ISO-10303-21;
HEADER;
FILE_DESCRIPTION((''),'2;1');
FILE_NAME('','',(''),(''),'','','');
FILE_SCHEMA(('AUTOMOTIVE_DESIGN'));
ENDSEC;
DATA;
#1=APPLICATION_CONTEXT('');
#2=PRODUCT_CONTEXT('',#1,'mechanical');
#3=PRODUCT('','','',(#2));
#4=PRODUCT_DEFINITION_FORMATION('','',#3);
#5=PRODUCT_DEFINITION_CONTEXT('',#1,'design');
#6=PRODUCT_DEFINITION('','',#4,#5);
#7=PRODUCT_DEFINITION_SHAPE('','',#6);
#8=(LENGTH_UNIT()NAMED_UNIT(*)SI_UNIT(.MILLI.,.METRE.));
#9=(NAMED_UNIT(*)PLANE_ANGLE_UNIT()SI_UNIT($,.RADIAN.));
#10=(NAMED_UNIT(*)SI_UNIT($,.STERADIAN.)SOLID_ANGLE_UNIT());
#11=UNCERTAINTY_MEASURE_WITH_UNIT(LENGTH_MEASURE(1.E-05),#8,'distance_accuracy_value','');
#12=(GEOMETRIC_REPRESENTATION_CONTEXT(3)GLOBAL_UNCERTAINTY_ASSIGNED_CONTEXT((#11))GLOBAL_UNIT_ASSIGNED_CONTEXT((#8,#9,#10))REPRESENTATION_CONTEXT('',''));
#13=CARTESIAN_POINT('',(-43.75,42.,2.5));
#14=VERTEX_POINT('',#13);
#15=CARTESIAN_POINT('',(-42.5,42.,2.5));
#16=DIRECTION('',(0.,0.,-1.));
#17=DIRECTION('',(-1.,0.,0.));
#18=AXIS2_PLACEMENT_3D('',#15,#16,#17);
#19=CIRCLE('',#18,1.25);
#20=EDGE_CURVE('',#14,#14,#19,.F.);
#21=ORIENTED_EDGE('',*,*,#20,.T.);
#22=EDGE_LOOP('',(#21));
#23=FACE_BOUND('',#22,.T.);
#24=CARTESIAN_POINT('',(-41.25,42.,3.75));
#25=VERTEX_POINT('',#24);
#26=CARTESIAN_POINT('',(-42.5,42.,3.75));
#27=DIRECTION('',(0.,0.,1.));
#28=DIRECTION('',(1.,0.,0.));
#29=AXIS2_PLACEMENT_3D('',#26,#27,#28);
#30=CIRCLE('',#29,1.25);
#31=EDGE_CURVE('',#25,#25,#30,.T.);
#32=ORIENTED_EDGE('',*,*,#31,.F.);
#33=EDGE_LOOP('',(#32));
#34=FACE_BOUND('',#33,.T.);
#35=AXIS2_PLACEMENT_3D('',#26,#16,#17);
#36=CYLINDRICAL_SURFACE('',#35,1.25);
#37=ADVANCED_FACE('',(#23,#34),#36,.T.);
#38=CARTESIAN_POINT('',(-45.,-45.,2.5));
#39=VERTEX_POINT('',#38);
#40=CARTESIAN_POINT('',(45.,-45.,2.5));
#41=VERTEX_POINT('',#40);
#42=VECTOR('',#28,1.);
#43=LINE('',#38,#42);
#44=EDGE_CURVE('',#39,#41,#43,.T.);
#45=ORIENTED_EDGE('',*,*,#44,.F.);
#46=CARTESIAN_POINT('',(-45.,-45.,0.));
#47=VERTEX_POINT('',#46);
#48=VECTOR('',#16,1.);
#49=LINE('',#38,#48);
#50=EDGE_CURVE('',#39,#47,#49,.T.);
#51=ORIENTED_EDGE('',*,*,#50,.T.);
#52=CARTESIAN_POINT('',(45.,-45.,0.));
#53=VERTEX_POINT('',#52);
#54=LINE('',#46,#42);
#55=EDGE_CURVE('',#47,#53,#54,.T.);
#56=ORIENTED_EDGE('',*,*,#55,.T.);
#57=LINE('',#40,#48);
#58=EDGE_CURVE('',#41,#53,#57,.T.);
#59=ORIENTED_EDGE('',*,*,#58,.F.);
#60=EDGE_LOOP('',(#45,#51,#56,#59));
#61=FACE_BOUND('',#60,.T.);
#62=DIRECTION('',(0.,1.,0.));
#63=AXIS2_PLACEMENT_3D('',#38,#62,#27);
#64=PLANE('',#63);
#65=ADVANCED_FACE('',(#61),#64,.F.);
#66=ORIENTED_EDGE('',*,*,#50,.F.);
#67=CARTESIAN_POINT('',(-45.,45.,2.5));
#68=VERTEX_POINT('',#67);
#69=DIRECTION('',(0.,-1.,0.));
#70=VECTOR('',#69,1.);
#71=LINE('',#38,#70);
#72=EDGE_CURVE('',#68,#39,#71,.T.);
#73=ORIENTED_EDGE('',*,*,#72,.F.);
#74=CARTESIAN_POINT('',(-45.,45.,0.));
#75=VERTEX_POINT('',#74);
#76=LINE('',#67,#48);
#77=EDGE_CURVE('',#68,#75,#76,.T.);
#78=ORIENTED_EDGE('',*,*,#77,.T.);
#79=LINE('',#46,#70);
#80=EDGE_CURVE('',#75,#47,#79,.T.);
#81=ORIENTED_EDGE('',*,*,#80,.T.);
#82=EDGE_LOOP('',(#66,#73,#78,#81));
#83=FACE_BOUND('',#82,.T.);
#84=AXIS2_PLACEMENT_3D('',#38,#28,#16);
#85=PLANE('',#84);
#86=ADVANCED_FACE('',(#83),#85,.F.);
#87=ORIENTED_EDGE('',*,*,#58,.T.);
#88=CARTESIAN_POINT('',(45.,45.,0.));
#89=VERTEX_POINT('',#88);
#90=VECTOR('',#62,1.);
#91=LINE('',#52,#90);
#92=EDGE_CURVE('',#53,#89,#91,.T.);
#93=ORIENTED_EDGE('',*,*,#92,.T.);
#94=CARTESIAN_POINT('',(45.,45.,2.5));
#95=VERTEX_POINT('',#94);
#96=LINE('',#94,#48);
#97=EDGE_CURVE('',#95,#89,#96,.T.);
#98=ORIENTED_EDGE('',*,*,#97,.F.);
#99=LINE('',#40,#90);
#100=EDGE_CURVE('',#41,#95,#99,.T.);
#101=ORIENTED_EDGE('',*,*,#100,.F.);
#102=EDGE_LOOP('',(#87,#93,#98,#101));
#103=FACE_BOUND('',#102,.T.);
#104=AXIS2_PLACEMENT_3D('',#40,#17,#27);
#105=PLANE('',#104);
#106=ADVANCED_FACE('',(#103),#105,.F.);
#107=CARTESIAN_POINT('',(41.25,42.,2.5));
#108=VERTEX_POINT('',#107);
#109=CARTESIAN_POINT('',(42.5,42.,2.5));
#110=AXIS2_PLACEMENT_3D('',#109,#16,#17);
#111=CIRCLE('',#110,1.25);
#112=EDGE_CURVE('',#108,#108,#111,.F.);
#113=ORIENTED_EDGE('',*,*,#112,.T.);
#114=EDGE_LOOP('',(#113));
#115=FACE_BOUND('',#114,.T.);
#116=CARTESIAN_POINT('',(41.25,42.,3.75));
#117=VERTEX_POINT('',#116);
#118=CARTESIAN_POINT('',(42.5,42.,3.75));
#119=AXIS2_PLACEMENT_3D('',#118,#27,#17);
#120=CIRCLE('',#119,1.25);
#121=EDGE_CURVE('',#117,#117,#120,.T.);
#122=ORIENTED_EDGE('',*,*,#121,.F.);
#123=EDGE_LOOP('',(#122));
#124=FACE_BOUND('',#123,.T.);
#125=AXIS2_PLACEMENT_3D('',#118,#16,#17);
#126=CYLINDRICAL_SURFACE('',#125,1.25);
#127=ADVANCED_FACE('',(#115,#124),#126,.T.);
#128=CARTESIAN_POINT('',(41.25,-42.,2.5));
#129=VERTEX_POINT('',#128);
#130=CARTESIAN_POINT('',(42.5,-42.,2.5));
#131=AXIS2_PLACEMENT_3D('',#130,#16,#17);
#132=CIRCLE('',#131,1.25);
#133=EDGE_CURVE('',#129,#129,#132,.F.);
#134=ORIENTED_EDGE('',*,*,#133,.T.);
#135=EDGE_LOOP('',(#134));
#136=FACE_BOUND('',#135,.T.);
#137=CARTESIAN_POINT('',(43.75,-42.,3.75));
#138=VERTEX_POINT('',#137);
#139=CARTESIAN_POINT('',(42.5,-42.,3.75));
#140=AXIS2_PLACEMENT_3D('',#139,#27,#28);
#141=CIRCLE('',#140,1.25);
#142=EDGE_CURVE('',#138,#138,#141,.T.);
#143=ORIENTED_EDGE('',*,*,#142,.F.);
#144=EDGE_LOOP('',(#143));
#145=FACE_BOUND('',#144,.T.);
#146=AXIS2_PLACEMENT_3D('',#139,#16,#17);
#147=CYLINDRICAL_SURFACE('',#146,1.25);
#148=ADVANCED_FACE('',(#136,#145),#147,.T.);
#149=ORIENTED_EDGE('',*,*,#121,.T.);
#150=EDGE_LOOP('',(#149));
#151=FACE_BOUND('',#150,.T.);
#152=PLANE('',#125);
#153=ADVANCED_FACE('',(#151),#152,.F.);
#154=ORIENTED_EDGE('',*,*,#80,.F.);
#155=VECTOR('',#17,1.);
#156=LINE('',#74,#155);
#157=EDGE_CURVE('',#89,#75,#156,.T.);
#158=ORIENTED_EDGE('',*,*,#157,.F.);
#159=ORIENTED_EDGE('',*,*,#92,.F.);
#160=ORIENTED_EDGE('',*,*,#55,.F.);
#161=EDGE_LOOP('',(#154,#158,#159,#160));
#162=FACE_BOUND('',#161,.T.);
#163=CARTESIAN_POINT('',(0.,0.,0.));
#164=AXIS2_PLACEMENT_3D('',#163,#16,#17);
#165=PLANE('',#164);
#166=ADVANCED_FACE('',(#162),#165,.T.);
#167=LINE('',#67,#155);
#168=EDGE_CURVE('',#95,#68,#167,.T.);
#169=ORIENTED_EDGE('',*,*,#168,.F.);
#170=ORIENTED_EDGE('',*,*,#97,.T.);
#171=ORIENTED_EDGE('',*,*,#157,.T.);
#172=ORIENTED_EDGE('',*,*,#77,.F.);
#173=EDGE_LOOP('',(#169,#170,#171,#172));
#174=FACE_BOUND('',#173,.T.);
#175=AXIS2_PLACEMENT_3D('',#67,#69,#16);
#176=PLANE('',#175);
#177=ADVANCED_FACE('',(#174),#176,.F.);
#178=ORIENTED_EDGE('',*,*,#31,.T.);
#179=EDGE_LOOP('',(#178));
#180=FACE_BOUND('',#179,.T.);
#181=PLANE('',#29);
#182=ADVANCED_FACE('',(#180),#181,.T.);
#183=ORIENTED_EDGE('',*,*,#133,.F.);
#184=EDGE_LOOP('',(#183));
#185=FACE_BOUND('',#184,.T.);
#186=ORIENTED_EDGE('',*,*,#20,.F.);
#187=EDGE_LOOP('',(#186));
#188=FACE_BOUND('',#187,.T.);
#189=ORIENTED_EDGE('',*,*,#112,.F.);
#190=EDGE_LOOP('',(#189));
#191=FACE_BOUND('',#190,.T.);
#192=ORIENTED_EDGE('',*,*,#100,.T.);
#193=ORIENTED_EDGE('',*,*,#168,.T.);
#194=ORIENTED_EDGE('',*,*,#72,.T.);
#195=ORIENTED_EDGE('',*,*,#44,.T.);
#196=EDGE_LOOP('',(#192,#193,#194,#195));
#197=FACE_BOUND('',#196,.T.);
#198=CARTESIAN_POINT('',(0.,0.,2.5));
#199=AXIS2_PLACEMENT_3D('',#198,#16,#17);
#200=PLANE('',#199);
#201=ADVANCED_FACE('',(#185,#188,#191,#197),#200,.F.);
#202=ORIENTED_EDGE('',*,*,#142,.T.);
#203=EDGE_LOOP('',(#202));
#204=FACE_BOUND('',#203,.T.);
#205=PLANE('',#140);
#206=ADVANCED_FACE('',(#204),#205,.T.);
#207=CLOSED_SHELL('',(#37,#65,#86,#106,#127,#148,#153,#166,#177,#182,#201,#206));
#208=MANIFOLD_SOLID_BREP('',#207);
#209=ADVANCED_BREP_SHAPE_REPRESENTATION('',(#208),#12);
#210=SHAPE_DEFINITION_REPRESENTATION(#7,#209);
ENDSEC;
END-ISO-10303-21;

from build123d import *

# Parameters (mm, degrees)
SKETCH1_W           = 90
SKETCH1_H           = 90
BOSS_EXTRUDE1_DEPTH = 2.5
SKETCH2_R           = 1.25
BOSS_EXTRUDE2_DEPTH = 1.25


with BuildPart() as part:
    # Sketch1 → Boss-Extrude1 (new body)
    with BuildSketch(Plane.XY):
        Rectangle(SKETCH1_W, SKETCH1_H)
    extrude(amount=BOSS_EXTRUDE1_DEPTH)

    # Sketch2 → Boss-Extrude2 (add)
    with BuildSketch(Plane.XY.offset(2.5)):
        with Locations(Location((-42.5, 42, 0), (0, 0, 180))):
            Circle(SKETCH2_R)
        with Locations(Location((42.5, 42, 0), (0, 0, 180))):
            Circle(SKETCH2_R)
        with Locations(Location((42.5, -42, 0), (0, 0, 180))):
            Circle(SKETCH2_R)
    extrude(amount=BOSS_EXTRUDE2_DEPTH)


solid = part.part
